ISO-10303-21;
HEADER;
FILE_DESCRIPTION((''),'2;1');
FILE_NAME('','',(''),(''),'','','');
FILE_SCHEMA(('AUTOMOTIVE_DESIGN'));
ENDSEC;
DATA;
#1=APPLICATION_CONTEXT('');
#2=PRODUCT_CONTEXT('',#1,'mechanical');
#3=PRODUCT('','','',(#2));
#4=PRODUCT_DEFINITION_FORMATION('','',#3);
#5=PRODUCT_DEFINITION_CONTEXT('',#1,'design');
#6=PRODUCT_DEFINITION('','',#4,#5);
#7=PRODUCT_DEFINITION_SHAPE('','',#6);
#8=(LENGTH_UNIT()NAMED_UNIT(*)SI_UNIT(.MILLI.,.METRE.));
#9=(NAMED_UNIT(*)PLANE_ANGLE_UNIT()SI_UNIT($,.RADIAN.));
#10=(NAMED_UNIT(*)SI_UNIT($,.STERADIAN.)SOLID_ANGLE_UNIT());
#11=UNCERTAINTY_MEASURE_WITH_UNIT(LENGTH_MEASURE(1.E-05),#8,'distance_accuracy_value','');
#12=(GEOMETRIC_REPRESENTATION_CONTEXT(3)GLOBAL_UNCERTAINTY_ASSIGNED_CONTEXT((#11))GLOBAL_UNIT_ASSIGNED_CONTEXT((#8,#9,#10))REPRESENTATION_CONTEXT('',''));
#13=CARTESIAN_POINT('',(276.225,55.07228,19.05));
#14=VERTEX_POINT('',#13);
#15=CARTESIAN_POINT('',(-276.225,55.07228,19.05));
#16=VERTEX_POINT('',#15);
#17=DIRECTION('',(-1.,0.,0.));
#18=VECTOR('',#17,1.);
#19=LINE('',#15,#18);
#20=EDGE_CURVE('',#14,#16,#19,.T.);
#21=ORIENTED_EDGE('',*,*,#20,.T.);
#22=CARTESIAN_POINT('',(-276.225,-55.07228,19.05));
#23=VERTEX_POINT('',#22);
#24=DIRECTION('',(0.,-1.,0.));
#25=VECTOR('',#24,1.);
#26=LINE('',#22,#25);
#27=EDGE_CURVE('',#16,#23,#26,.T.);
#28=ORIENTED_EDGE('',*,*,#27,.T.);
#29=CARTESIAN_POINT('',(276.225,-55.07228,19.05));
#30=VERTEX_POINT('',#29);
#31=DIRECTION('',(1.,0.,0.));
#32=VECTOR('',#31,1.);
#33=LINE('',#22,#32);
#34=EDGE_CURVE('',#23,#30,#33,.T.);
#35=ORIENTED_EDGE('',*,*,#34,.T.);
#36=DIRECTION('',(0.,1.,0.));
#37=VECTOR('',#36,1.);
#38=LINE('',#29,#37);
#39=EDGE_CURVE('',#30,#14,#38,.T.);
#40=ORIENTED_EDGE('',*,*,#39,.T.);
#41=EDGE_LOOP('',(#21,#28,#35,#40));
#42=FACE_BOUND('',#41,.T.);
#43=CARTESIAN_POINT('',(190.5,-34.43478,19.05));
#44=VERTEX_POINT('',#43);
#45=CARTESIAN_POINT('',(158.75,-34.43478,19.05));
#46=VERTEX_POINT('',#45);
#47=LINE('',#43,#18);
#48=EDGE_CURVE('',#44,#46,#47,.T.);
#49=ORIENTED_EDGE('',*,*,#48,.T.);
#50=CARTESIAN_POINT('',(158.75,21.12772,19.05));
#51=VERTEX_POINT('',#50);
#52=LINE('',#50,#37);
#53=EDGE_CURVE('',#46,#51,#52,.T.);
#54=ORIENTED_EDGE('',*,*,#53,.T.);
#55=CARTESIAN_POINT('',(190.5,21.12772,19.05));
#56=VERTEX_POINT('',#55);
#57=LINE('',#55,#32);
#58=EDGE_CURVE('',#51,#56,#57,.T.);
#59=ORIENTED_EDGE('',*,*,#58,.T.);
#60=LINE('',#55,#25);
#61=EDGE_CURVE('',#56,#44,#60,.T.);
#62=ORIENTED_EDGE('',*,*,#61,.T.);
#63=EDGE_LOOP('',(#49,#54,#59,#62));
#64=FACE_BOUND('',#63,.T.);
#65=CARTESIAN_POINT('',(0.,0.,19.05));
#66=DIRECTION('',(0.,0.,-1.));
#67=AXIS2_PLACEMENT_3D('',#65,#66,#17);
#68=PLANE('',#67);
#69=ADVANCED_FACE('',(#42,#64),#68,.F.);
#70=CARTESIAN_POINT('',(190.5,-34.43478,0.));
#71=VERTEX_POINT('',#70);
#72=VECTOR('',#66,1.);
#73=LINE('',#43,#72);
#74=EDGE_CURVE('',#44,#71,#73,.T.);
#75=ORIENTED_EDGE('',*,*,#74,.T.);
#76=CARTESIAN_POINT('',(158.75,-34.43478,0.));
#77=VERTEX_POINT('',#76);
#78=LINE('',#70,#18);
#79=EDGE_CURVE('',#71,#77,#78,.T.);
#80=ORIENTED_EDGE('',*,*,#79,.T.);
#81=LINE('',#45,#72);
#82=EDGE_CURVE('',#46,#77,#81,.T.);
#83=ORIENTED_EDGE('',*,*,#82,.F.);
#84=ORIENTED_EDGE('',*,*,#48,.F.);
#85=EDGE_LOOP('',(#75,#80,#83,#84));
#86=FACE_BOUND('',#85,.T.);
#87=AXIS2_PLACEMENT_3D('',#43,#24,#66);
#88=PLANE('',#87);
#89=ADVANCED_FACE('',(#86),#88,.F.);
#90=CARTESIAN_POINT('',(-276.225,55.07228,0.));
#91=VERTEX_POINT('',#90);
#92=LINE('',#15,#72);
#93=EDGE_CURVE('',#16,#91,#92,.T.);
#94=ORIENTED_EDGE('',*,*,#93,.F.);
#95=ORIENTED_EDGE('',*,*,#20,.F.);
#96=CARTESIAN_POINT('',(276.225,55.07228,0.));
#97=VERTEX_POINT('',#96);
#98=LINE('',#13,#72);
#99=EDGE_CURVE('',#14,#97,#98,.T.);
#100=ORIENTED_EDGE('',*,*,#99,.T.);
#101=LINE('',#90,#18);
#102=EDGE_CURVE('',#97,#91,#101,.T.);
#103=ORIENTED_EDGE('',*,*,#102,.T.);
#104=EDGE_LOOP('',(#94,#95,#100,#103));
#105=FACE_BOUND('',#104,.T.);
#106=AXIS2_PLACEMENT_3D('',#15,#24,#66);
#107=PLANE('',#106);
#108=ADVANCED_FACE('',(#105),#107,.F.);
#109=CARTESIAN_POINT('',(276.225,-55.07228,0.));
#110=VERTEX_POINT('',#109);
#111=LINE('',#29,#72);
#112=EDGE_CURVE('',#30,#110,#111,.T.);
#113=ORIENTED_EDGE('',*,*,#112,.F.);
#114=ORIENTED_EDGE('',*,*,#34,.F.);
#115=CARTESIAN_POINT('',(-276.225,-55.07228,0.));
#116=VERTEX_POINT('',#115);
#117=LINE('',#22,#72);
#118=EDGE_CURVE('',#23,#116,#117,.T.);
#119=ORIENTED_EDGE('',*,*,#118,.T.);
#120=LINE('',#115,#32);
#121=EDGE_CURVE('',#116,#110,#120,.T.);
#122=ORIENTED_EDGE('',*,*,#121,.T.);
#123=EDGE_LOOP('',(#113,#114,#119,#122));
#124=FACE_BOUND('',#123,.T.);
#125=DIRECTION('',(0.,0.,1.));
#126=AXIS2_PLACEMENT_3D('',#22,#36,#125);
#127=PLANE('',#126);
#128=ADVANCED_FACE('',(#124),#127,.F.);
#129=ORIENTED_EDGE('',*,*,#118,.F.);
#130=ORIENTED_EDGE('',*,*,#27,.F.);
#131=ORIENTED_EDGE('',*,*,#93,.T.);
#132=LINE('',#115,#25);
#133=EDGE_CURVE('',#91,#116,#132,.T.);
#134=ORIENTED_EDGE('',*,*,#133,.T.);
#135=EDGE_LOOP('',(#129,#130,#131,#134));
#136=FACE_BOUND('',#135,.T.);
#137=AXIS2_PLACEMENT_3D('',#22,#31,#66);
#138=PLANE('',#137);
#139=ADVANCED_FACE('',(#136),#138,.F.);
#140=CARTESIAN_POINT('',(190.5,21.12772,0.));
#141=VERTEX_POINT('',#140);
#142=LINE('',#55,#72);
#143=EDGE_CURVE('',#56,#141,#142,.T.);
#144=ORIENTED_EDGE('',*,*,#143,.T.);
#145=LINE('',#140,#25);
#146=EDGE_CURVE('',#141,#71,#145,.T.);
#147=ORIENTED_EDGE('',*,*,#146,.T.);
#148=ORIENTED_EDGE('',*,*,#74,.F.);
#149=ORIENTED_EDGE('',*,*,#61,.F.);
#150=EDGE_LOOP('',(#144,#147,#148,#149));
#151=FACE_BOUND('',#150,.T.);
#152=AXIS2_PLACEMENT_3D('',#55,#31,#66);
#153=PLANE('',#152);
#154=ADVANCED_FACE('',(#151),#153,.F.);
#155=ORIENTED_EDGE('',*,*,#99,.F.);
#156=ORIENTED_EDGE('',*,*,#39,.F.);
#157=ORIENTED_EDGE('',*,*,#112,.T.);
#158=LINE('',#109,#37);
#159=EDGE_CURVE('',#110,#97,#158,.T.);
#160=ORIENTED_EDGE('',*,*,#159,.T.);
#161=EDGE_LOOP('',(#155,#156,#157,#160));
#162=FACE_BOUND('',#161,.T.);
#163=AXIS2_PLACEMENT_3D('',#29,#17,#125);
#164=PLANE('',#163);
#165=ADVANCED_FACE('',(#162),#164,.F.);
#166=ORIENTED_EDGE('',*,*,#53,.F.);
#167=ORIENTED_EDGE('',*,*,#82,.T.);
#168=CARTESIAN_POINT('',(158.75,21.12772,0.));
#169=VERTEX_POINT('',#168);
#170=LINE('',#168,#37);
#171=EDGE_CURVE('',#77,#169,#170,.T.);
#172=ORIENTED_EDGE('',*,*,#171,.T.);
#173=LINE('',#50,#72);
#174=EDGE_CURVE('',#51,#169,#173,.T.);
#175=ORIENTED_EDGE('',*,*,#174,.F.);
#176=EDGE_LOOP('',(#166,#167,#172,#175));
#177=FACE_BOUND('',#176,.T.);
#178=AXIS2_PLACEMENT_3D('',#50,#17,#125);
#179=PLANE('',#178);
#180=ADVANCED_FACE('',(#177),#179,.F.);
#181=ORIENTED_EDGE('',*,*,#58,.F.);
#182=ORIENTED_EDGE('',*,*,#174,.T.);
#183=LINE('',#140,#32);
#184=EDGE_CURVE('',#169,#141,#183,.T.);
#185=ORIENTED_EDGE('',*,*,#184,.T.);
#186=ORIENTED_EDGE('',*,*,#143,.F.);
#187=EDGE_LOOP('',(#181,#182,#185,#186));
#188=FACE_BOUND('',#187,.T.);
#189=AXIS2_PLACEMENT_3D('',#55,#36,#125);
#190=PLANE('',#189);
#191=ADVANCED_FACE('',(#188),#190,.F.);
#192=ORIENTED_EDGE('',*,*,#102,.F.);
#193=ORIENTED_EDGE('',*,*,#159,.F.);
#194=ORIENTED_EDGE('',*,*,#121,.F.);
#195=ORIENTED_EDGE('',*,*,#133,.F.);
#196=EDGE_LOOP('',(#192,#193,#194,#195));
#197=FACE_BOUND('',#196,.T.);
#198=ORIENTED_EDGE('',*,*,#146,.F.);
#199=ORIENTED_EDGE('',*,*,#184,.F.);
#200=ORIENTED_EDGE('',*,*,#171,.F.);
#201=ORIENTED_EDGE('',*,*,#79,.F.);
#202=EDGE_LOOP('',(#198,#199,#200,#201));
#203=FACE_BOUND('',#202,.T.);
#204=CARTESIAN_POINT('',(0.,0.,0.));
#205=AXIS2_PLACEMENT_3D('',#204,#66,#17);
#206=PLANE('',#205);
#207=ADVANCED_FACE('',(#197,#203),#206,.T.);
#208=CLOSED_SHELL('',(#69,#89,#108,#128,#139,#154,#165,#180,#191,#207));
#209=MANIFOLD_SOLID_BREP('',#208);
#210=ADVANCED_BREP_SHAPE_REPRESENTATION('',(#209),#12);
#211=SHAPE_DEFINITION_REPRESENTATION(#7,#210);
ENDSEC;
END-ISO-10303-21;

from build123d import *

# Parameters (mm, degrees)
SKETCH1_W           = 552.45
SKETCH1_H           = 110.14456
BOSS_EXTRUDE1_DEPTH = 19.05
SKETCH2_W           = 31.75
SKETCH2_H           = 55.5625
CUT_EXTRUDE1_DEPTH  = 283.304993136


with BuildPart() as part:
    # Sketch1 → Boss-Extrude1 (new body)
    with BuildSketch(Plane.XY):
        Rectangle(SKETCH1_W, SKETCH1_H)
    extrude(amount=BOSS_EXTRUDE1_DEPTH)

    # Sketch2 → Cut-Extrude1 (cut, through all)
    with BuildSketch(Plane(origin=(0, 0, 0), x_dir=(-1, 0, 0), z_dir=(0, 0, -1))):
        with Locations((-174.625, -6.65353)):
            Rectangle(SKETCH2_W, SKETCH2_H)
    extrude(amount=-CUT_EXTRUDE1_DEPTH, mode=Mode.SUBTRACT)


solid = part.part
